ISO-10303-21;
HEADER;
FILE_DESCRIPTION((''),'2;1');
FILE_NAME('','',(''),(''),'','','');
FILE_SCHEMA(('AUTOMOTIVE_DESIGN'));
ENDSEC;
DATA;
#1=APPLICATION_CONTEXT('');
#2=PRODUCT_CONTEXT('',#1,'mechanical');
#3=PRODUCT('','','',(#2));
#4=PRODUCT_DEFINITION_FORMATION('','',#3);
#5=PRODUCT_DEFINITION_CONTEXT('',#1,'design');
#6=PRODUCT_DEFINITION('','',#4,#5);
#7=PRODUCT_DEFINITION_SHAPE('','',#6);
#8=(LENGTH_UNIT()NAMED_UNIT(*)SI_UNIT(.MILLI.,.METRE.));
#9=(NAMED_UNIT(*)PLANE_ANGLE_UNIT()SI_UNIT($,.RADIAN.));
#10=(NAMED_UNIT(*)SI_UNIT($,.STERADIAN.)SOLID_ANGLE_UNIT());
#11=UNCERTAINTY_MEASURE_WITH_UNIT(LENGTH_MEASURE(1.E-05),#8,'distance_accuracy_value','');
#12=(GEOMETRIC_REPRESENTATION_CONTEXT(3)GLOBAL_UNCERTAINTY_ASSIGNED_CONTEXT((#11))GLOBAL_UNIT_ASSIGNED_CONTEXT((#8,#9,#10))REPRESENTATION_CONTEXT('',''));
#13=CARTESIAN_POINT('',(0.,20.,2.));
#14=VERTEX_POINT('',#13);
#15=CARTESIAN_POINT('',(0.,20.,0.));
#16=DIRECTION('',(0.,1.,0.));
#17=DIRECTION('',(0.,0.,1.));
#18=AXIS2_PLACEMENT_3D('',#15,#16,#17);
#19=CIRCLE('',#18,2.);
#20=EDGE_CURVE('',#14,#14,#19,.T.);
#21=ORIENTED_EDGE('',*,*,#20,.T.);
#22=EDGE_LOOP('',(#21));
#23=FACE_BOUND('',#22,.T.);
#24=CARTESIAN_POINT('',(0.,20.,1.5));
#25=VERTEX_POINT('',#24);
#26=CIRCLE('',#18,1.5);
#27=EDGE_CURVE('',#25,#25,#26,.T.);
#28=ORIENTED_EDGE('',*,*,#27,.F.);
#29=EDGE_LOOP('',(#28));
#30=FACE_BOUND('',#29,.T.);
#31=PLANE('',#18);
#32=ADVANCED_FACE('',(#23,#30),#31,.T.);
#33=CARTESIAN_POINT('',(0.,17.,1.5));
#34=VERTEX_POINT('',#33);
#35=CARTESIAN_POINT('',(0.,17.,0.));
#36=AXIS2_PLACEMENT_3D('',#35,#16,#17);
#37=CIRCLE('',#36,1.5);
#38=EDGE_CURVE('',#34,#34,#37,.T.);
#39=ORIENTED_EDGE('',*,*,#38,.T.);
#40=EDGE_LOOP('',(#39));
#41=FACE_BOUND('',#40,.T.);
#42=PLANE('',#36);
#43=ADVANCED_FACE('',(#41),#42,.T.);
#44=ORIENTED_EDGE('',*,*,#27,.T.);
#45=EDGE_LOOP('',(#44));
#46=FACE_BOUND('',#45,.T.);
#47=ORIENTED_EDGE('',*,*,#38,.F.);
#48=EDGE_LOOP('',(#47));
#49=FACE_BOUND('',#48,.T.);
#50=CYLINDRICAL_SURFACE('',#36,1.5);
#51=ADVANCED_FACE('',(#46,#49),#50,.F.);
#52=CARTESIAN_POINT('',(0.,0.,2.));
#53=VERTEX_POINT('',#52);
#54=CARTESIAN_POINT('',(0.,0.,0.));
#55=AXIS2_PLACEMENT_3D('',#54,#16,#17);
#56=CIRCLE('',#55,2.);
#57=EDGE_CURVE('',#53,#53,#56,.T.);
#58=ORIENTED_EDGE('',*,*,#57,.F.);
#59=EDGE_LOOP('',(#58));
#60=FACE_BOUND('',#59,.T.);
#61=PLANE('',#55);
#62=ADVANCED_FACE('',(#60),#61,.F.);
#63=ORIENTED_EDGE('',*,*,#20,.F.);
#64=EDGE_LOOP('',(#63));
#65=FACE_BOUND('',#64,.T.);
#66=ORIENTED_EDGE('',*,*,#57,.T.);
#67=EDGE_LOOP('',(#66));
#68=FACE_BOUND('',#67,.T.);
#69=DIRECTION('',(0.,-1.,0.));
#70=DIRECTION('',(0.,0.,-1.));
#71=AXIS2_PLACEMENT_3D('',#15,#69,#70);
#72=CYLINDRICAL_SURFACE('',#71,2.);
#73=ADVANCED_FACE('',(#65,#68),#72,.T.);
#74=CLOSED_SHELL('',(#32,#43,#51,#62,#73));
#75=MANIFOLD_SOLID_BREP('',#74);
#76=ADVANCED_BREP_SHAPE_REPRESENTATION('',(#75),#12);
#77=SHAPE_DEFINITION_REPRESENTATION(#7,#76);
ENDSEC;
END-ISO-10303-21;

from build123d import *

# Parameters (mm, degrees)
SKETCH1_R           = 2
BOSS_EXTRUDE1_DEPTH = 20
SKETCH3_R           = 1.5
CUT_EXTRUDE1_DEPTH  = 3


with BuildPart() as part:
    # Sketch1 → Boss-Extrude1 (new body)
    with BuildSketch(Plane(origin=(0, 0, 0), x_dir=(1, 0, 0), z_dir=(0, 1, 0))):
        with Locations(Location((0, 0, 0), (0, 0, 270))):
            Circle(SKETCH1_R)
    extrude(amount=BOSS_EXTRUDE1_DEPTH)

    # Sketch3 → Cut-Extrude1 (cut)
    with BuildSketch(Plane(origin=(0, 20, 0), x_dir=(1, 0, 0), z_dir=(0, 1, 0))):
        with Locations(Location((0, 0, 0), (0, 0, 270))):
            Circle(SKETCH3_R)
    extrude(amount=-CUT_EXTRUDE1_DEPTH, mode=Mode.SUBTRACT)


solid = part.part
